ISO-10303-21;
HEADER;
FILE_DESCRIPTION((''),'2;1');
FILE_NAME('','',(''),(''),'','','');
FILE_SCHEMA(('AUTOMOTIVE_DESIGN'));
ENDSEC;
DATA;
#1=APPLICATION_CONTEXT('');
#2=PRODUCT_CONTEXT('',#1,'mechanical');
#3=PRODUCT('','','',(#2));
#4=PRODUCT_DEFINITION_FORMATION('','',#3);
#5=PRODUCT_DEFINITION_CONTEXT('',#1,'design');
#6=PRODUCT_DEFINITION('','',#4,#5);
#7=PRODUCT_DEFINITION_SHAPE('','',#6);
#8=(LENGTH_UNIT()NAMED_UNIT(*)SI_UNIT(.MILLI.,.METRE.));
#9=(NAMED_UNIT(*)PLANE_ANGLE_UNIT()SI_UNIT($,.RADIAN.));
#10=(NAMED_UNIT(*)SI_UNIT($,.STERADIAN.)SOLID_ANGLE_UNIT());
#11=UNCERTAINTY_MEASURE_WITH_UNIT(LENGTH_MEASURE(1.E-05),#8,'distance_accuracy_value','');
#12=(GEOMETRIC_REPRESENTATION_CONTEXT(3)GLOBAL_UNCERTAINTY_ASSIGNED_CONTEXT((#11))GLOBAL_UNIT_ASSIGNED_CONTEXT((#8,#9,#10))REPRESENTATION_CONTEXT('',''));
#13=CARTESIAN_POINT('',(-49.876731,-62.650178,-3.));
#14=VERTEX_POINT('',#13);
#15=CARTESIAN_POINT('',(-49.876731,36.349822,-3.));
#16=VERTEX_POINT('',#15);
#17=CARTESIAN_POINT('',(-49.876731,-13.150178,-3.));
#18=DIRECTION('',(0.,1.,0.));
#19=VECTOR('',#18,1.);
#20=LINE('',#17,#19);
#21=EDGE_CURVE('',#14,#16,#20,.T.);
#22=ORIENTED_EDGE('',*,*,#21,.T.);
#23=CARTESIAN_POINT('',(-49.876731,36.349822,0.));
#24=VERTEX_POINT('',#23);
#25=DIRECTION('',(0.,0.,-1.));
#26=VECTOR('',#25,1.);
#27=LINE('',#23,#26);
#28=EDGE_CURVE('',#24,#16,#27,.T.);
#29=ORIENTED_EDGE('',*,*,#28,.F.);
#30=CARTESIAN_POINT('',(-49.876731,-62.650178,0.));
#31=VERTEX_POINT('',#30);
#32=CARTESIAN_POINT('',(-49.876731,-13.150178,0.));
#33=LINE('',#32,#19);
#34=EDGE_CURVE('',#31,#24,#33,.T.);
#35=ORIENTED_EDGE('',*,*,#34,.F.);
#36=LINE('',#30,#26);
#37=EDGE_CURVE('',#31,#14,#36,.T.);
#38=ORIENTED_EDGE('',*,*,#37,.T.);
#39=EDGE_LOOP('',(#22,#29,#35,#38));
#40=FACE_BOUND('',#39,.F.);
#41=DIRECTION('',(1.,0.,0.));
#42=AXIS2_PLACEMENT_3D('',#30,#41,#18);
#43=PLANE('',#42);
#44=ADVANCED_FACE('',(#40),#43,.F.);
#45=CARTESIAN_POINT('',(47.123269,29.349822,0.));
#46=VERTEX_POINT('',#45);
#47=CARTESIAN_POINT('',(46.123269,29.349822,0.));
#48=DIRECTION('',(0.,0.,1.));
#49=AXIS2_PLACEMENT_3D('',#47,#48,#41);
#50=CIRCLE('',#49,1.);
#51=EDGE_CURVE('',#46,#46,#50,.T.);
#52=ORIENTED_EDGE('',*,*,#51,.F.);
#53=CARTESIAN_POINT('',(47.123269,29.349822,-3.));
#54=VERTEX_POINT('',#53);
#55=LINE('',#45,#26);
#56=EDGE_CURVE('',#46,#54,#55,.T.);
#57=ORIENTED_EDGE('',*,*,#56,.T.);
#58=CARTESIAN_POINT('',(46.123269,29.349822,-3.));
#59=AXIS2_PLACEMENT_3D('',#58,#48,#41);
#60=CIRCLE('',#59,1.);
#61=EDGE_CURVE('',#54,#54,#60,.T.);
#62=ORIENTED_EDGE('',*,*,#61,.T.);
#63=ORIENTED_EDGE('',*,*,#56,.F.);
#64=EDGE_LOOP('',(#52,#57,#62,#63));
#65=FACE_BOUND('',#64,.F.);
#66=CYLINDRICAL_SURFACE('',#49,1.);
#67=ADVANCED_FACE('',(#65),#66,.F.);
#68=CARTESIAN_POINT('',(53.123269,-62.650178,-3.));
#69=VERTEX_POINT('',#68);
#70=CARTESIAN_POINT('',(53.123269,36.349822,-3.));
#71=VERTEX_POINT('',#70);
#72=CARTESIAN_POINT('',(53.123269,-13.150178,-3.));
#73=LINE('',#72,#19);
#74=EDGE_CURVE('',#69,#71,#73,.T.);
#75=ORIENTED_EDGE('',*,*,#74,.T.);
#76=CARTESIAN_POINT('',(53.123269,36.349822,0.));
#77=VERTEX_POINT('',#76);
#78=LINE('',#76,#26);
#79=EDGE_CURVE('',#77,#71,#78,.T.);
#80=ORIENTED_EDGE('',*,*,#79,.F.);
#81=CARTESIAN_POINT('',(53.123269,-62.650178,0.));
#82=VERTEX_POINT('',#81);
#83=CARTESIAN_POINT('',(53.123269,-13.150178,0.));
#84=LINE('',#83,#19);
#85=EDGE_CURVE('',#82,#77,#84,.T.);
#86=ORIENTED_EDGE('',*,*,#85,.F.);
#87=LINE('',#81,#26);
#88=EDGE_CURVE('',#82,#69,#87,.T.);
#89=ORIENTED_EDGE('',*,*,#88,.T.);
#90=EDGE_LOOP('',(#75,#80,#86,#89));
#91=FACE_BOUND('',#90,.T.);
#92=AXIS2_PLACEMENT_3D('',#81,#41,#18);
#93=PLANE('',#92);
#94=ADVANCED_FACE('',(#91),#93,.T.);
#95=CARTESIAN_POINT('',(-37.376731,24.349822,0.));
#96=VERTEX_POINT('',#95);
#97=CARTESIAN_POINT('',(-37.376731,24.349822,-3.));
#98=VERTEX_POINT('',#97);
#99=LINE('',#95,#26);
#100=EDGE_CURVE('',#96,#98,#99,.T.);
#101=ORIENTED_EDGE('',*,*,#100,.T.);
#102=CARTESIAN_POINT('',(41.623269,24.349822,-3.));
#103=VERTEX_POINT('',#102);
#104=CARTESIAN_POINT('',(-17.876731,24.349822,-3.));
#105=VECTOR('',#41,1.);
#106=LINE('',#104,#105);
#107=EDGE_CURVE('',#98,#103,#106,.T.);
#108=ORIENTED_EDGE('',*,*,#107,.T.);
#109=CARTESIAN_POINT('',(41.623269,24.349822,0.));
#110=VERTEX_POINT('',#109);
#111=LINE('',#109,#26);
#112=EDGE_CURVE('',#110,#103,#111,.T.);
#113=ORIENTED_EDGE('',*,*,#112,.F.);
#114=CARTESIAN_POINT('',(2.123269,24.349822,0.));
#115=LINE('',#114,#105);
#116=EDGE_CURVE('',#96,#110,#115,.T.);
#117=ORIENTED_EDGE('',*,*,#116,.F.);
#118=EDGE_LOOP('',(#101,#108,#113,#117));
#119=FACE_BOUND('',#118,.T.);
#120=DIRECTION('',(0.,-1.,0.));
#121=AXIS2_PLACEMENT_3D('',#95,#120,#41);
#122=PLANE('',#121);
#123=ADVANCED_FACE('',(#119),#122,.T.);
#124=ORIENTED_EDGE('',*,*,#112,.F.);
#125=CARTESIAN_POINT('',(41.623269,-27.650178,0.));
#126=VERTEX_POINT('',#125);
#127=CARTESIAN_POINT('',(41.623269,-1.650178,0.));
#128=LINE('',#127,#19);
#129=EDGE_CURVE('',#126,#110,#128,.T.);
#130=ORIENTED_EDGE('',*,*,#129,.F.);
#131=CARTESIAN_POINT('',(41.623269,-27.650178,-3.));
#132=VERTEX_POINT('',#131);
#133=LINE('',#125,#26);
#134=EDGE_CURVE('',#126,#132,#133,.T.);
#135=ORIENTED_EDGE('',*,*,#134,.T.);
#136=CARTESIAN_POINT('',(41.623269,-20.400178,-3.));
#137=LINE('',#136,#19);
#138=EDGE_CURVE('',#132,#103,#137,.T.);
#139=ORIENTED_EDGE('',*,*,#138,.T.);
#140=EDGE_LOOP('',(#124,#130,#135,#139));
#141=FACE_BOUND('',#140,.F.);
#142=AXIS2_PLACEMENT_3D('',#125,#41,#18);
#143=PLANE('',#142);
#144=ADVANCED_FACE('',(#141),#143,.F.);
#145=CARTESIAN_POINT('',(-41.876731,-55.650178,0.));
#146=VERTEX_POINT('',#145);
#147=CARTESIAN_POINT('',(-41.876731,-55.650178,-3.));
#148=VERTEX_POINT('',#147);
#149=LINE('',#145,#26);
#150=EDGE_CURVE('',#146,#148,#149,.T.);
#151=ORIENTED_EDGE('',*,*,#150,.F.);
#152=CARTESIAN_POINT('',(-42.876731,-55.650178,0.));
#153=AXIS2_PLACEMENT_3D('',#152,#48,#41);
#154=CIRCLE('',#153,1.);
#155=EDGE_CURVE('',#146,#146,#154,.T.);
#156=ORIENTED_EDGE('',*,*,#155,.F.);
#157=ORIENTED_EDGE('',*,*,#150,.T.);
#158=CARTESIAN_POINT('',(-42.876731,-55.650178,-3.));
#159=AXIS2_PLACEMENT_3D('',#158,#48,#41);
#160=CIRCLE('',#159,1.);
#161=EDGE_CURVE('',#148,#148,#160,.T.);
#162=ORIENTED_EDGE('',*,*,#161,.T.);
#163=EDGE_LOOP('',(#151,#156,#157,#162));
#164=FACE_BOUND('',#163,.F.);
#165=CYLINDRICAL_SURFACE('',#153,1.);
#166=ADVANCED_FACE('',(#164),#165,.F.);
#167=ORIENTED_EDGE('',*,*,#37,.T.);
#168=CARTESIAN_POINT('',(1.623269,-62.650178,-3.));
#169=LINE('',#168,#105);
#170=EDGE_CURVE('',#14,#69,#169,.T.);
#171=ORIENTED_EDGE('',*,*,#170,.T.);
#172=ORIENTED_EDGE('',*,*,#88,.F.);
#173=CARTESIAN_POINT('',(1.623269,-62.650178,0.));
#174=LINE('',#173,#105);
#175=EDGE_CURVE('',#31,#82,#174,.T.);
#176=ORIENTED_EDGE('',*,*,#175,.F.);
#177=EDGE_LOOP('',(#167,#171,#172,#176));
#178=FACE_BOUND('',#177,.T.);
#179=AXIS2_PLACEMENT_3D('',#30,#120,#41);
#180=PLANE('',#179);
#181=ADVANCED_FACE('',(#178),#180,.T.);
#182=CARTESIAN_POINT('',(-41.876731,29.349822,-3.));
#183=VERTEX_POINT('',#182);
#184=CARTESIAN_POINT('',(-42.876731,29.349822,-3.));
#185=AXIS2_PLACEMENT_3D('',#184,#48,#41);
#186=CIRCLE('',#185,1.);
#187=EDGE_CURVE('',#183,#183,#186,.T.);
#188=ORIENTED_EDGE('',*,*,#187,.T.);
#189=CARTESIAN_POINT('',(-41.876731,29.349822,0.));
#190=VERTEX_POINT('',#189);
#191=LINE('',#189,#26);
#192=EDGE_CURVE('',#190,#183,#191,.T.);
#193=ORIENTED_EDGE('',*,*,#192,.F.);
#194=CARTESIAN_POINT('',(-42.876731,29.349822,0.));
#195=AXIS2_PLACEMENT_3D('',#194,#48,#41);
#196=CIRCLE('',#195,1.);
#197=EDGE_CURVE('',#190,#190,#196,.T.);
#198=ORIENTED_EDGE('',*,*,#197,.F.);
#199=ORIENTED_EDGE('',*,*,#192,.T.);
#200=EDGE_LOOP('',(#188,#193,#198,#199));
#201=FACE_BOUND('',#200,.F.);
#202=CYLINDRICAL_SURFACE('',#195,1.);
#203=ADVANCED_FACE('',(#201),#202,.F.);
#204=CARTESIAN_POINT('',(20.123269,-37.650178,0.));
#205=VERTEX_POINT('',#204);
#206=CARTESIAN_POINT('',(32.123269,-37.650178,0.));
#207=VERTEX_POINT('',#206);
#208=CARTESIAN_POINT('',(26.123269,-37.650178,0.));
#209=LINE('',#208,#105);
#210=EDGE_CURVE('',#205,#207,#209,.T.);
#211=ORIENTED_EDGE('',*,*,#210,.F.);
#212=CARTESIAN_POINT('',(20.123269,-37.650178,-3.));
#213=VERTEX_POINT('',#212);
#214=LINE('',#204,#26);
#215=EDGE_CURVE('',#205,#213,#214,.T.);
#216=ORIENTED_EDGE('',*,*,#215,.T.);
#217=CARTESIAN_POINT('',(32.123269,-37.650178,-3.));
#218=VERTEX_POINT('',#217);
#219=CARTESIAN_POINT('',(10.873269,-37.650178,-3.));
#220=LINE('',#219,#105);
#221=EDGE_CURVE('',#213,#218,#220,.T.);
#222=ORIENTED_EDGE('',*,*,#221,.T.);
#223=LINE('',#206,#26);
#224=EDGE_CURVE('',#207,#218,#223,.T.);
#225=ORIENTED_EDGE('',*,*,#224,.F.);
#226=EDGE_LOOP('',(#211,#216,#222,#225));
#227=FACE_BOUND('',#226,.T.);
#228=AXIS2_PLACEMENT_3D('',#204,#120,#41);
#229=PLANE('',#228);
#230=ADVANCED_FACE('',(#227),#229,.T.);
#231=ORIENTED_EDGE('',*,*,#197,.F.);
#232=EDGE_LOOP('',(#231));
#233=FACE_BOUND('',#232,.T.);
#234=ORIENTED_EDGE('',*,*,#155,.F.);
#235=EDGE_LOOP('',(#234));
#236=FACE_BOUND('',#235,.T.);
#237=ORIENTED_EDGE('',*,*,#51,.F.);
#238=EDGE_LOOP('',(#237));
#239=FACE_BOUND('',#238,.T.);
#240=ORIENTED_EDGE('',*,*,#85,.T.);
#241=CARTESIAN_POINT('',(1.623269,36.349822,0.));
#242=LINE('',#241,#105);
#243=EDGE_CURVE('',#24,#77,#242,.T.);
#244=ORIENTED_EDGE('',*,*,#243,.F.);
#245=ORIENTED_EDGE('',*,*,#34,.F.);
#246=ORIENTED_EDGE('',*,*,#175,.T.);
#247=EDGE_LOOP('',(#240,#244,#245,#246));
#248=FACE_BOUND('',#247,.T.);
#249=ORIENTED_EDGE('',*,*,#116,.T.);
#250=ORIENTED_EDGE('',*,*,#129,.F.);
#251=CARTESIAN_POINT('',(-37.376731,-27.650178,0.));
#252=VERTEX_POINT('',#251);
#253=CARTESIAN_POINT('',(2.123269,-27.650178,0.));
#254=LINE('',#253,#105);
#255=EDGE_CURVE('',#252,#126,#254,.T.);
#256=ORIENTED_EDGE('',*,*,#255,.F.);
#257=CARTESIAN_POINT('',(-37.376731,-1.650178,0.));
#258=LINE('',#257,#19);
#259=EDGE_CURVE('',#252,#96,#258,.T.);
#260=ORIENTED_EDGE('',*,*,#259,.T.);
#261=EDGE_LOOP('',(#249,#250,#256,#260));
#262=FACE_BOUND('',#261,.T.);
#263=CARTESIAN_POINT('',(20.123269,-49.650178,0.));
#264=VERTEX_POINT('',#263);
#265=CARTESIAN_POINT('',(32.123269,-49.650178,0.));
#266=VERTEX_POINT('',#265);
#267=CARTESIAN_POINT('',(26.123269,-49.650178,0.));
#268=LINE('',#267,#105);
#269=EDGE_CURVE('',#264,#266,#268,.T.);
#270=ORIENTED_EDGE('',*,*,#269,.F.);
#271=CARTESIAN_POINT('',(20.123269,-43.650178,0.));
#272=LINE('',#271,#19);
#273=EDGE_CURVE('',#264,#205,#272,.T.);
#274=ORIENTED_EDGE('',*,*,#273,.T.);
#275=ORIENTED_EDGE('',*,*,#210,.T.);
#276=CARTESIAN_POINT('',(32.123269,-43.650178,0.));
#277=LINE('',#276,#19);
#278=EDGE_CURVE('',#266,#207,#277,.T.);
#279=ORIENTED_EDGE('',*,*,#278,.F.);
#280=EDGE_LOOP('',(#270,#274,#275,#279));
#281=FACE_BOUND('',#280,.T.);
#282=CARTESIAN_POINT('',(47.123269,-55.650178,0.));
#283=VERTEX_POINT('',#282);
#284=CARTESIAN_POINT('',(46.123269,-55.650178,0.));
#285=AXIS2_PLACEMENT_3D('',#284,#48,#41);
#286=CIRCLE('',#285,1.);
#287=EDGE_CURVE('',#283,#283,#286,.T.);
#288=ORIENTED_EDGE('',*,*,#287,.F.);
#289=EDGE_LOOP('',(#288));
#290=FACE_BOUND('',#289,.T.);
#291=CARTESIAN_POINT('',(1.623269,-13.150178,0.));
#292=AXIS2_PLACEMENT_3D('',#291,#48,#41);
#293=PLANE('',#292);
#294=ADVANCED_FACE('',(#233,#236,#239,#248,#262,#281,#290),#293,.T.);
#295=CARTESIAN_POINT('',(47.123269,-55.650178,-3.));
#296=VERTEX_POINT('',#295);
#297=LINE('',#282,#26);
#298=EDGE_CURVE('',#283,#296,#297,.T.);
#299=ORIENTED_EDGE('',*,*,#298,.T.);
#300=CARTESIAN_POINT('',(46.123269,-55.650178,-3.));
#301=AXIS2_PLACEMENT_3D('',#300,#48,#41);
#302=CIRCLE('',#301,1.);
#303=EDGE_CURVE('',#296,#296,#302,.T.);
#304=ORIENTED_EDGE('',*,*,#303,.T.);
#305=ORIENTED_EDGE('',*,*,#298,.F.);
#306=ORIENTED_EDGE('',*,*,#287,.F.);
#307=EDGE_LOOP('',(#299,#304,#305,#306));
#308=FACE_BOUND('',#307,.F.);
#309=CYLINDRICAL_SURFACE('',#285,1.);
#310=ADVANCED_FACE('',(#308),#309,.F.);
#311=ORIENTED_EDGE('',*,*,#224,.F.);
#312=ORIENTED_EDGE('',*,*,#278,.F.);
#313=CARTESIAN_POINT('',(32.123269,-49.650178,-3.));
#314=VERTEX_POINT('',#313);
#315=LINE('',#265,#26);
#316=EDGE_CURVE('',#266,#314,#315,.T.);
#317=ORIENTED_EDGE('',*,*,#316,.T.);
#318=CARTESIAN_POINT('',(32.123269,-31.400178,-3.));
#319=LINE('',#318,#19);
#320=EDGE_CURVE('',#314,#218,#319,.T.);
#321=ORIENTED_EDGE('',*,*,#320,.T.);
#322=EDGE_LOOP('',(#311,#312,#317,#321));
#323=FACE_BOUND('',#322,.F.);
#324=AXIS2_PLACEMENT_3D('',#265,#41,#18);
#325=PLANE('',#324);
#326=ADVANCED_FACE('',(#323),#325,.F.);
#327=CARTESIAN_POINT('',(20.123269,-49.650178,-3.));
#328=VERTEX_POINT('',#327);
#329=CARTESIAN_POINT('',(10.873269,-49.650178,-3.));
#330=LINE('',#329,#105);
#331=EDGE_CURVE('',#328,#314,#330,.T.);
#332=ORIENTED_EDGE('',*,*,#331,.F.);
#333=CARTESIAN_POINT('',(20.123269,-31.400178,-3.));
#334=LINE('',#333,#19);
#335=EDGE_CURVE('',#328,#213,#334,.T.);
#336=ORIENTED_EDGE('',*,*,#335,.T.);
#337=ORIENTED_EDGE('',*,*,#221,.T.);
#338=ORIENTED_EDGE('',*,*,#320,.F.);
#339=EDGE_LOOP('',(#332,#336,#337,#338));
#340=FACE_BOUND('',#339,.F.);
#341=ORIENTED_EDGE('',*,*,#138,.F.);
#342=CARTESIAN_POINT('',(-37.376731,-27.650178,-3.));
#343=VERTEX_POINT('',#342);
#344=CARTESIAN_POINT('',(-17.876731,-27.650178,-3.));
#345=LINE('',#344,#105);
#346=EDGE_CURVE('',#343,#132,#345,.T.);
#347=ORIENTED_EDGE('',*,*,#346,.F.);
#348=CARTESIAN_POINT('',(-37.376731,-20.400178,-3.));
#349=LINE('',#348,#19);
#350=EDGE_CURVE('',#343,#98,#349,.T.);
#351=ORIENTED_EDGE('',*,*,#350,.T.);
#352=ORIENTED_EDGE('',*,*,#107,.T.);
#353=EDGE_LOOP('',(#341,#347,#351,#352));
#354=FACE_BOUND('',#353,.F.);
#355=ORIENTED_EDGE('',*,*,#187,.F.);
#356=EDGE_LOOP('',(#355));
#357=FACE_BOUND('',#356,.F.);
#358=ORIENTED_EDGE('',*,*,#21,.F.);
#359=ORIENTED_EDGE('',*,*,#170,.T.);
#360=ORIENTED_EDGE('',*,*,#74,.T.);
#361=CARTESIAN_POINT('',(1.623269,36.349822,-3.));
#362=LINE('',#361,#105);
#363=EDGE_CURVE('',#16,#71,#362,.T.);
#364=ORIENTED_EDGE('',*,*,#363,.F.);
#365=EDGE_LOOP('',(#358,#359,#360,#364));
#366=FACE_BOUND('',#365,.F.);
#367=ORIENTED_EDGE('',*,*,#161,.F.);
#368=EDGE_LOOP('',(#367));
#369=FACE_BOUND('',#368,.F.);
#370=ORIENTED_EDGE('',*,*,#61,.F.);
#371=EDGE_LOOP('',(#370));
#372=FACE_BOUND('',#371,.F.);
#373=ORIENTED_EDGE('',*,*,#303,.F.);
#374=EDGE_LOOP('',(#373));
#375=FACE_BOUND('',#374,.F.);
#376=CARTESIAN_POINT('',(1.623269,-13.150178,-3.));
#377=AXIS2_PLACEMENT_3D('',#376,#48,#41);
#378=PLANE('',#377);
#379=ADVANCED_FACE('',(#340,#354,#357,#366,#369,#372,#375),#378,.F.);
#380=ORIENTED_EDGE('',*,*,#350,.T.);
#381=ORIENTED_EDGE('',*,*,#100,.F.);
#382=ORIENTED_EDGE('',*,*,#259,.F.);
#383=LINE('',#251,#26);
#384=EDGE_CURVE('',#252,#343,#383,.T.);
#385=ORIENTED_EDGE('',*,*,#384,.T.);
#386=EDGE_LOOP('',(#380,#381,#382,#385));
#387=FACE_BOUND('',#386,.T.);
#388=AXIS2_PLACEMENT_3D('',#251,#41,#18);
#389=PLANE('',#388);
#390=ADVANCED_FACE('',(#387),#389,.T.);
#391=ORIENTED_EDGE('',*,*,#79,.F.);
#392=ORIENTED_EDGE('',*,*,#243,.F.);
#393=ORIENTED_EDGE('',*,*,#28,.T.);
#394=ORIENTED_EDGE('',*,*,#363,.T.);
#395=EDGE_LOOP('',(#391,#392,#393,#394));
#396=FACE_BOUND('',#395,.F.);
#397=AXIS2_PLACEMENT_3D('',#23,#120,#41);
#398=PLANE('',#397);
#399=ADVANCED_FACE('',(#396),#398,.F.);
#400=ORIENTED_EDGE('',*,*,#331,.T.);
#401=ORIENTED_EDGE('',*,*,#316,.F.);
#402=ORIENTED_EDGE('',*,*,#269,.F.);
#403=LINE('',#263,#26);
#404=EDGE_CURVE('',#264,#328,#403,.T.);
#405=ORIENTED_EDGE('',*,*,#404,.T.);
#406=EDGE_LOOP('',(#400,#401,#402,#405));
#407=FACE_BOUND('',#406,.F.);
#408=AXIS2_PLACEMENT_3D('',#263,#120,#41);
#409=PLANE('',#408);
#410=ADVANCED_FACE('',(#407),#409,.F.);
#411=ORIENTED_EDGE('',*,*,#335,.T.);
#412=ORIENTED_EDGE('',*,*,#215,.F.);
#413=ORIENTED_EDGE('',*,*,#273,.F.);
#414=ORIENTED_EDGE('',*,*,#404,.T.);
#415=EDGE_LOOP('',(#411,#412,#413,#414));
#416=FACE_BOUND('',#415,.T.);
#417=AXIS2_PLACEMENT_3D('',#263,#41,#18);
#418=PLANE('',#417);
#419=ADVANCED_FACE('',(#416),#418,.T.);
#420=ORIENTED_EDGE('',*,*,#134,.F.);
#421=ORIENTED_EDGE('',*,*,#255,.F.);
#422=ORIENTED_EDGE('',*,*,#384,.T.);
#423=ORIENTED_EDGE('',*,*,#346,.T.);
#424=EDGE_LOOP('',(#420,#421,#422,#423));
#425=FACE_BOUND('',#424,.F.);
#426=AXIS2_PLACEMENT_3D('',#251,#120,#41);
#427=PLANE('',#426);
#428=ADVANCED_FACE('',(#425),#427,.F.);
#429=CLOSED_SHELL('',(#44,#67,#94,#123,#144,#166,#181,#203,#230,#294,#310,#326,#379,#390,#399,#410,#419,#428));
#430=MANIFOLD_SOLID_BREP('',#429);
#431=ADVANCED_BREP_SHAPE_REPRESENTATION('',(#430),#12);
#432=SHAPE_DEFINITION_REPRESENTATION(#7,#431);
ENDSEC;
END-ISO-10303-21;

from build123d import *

# Parameters (mm, degrees)
F0_W     = 103
F0_H     = 99
F3_DEPTH = 3
F1_W     = 79
F1_H     = 52
F4_DEPTH = 3.001
F2_W     = 12
F2_H     = 12
F5_DEPTH = 3.001
F6_R     = 1
F7_DEPTH = 3.001


with BuildPart() as f3:
    # F0 (on Top) → F3 (new body)
    with BuildSketch(Plane.XY):
        with Locations((1.623269, -13.150178)):
            Rectangle(F0_W, F0_H)
    extrude(amount=-F3_DEPTH)

    # F1 (on face) → F4 (cut, through all)
    with BuildSketch(Plane.XY):
        with Locations((2.123269, -1.650178)):
            Rectangle(F1_W, F1_H)
    extrude(amount=-F4_DEPTH, mode=Mode.SUBTRACT)

    # F2 (on Top) → F5 (cut, through all)
    with BuildSketch(Plane.XY):
        with Locations((26.123269, -43.650178)):
            Rectangle(F2_W, F2_H)
    extrude(amount=-F5_DEPTH, mode=Mode.SUBTRACT)

    # F6 (on face) → F7 (cut, through all)
    with BuildSketch(Plane.XY):
        with Locations((-42.876731, 29.349822)):
            Circle(F6_R)
        with Locations((-134.126731, 29.349822)):
            Circle(F6_R)
        with Locations((46.123269, 29.349822)):
            Circle(F6_R)
        with Locations((-42.876731, -55.650178)):
            Circle(F6_R)
        with Locations((46.123269, -55.650178)):
            Circle(F6_R)
    extrude(amount=-F7_DEPTH, mode=Mode.SUBTRACT)


solid = f3.part
